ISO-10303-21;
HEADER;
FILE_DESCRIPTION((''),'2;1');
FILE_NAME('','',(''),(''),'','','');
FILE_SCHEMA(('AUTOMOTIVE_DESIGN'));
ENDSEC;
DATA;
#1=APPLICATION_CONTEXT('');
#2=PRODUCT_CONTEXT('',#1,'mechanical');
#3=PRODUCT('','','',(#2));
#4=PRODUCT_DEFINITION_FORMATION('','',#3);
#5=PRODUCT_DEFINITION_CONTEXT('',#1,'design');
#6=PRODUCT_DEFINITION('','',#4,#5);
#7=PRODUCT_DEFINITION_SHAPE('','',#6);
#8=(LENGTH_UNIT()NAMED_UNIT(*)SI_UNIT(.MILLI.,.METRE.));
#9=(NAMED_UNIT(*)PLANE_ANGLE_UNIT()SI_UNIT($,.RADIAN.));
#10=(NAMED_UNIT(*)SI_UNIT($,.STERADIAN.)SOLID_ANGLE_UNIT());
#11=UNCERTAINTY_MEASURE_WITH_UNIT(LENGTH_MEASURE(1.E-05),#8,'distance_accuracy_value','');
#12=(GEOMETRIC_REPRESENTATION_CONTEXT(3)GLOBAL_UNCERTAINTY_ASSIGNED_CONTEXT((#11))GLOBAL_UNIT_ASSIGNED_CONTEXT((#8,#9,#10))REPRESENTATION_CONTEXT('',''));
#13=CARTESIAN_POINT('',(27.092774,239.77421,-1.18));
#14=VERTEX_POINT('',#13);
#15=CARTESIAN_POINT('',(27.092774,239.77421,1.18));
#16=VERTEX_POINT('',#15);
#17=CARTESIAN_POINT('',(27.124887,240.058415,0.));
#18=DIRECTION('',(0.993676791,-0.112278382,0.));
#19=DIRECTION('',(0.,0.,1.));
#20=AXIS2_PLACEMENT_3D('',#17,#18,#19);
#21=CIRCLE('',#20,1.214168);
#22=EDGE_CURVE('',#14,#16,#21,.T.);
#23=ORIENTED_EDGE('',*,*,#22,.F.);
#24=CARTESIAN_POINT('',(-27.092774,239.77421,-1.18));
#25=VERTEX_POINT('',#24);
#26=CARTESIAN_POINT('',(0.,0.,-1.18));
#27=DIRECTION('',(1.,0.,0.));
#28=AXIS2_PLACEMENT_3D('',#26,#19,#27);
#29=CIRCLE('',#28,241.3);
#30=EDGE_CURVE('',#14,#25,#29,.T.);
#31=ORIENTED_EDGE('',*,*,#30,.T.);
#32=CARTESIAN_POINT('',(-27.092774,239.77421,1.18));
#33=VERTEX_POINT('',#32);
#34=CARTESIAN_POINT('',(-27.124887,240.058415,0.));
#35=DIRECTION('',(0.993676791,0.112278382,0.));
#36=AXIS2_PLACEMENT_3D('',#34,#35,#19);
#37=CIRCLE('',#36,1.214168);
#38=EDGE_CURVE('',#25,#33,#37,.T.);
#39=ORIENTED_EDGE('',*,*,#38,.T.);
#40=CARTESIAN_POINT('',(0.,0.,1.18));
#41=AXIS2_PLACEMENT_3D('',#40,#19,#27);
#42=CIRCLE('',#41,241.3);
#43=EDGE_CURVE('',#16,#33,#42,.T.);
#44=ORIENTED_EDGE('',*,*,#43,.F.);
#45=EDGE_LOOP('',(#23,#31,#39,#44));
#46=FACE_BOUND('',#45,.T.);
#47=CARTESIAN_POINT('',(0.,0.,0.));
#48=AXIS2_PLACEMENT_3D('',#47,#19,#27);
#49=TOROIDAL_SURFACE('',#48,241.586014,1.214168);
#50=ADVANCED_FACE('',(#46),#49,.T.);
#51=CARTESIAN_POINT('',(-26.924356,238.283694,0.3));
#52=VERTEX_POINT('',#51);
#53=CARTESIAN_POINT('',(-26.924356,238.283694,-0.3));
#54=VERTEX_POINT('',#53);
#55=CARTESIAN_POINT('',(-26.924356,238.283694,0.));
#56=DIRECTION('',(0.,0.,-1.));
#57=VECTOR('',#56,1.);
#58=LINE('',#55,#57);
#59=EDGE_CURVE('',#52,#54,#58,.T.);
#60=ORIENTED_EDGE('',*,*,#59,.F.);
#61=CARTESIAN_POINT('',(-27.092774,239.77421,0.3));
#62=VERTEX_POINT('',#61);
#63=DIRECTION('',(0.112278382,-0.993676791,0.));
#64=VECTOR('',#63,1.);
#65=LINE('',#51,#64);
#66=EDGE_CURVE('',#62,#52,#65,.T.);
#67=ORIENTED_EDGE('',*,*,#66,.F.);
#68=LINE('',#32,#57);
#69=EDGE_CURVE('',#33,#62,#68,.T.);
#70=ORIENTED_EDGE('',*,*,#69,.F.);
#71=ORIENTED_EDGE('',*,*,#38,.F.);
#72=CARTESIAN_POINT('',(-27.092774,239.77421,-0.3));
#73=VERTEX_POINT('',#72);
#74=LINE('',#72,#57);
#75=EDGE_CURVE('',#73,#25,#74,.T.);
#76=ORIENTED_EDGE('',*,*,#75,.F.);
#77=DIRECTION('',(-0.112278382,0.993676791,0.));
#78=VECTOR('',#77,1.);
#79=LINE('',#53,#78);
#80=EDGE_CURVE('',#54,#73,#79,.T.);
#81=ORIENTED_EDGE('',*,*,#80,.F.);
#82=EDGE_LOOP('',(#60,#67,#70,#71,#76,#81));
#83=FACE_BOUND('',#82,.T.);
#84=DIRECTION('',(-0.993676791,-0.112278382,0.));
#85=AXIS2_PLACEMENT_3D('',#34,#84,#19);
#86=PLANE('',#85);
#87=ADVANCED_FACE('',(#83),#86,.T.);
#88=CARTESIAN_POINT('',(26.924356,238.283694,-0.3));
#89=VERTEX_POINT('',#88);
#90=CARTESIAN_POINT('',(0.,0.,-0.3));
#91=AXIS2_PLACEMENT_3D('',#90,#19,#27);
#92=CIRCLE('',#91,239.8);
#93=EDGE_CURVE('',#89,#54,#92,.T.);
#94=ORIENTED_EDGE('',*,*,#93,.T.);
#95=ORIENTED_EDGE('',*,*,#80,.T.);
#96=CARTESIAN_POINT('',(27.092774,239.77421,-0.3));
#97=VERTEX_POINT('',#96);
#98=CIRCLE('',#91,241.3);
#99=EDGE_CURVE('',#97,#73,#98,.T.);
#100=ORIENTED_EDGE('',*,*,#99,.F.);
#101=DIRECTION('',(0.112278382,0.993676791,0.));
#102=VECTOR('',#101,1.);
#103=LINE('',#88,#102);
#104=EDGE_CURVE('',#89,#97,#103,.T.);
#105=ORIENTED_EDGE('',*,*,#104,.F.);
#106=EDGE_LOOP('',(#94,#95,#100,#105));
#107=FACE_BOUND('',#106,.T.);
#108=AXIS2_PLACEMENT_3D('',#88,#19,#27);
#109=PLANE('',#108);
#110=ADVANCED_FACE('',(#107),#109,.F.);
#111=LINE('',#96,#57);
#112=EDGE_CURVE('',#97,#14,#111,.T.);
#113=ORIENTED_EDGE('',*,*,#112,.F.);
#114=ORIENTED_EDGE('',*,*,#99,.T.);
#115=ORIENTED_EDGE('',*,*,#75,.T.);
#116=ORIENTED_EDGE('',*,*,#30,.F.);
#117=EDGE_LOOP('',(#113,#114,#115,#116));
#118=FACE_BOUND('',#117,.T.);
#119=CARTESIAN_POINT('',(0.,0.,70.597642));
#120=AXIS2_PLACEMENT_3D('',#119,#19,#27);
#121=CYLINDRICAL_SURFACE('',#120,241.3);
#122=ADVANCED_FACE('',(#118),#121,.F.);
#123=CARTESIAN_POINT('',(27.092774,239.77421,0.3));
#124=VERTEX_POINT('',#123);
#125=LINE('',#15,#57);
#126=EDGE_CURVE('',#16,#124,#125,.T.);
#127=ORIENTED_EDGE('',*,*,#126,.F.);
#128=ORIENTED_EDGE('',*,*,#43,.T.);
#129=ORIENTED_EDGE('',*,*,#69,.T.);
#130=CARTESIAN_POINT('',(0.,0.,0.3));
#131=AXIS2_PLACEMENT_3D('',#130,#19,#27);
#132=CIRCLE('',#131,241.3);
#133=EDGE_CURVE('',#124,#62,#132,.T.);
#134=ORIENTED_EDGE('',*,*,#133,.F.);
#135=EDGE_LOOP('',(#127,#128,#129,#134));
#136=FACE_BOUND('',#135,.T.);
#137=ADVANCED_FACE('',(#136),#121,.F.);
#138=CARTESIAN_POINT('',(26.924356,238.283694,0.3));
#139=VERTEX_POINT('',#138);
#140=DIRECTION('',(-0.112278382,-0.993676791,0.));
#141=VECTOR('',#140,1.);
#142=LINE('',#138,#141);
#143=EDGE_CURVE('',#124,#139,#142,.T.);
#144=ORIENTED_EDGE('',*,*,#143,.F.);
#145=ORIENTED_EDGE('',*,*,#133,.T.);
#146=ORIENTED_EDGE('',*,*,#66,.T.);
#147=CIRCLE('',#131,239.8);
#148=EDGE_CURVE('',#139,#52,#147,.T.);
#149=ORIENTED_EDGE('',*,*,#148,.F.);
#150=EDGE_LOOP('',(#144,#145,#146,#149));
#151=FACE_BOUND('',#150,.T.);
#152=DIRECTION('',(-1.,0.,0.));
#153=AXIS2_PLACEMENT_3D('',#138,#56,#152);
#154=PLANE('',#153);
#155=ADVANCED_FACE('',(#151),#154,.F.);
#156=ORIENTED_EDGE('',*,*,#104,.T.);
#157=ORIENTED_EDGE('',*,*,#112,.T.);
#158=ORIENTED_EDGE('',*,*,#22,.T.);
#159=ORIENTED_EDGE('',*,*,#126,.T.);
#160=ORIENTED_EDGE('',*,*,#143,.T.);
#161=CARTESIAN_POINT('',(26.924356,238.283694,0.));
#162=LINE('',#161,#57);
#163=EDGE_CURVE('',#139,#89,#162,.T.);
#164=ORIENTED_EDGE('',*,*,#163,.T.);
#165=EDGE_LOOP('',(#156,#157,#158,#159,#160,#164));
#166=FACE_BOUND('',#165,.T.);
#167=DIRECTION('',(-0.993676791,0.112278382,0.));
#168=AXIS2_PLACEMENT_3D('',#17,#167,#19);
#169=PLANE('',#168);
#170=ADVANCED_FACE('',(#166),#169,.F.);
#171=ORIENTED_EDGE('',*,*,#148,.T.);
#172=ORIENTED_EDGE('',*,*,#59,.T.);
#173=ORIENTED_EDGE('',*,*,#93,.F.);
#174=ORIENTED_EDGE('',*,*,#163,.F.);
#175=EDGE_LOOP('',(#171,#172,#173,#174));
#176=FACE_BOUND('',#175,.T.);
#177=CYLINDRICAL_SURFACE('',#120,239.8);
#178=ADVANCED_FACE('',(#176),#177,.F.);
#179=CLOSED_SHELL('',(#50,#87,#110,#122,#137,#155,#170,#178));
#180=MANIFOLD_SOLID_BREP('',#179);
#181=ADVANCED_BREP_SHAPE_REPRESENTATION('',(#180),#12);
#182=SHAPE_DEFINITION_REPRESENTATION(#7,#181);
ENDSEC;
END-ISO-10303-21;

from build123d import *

# Parameters (mm, degrees)
REVOLVE1_ANGLE           = 6.446671064
REVOLVE1_OTHER_WAY_ANGLE = 6.446671064


with BuildPart() as part:
    # Sketch2 → Revolve1 (revolve)
    with BuildSketch(Plane(origin=(0, 0, 0), x_dir=(0, 0, -1), z_dir=(1, 0, 0))):
        with BuildLine():
            Line((0, 239.8), (0.3, 239.8))
            Line((0.3, 239.8), (0.3, 241.3))
            Line((0.3, 241.3), (1.18, 241.3))
            ThreePointArc((1.18, 241.3), (0, 242.800182019), (-1.18, 241.3))
            Line((-1.18, 241.3), (-0.3, 241.3))
            Line((-0.3, 241.3), (-0.3, 239.8))
            Line((-0.3, 239.8), (0, 239.8))
        make_face()
    revolve(axis=Axis((0, 0, 70.597641597), (0, 0, -1)), revolution_arc=REVOLVE1_ANGLE)

    # Sketch2 → Revolve1 other way (revolve)
    with BuildSketch(Plane(origin=(0, 0, 0), x_dir=(0, 0, -1), z_dir=(1, 0, 0))):
        with BuildLine():
            Line((0, 239.8), (0.3, 239.8))
            Line((0.3, 239.8), (0.3, 241.3))
            Line((0.3, 241.3), (1.18, 241.3))
            ThreePointArc((1.18, 241.3), (0, 242.800182019), (-1.18, 241.3))
            Line((-1.18, 241.3), (-0.3, 241.3))
            Line((-0.3, 241.3), (-0.3, 239.8))
            Line((-0.3, 239.8), (0, 239.8))
        make_face()
    revolve(axis=Axis((0, 0, 70.597641597), (0, 0, 1)), revolution_arc=REVOLVE1_OTHER_WAY_ANGLE)


solid = part.part
